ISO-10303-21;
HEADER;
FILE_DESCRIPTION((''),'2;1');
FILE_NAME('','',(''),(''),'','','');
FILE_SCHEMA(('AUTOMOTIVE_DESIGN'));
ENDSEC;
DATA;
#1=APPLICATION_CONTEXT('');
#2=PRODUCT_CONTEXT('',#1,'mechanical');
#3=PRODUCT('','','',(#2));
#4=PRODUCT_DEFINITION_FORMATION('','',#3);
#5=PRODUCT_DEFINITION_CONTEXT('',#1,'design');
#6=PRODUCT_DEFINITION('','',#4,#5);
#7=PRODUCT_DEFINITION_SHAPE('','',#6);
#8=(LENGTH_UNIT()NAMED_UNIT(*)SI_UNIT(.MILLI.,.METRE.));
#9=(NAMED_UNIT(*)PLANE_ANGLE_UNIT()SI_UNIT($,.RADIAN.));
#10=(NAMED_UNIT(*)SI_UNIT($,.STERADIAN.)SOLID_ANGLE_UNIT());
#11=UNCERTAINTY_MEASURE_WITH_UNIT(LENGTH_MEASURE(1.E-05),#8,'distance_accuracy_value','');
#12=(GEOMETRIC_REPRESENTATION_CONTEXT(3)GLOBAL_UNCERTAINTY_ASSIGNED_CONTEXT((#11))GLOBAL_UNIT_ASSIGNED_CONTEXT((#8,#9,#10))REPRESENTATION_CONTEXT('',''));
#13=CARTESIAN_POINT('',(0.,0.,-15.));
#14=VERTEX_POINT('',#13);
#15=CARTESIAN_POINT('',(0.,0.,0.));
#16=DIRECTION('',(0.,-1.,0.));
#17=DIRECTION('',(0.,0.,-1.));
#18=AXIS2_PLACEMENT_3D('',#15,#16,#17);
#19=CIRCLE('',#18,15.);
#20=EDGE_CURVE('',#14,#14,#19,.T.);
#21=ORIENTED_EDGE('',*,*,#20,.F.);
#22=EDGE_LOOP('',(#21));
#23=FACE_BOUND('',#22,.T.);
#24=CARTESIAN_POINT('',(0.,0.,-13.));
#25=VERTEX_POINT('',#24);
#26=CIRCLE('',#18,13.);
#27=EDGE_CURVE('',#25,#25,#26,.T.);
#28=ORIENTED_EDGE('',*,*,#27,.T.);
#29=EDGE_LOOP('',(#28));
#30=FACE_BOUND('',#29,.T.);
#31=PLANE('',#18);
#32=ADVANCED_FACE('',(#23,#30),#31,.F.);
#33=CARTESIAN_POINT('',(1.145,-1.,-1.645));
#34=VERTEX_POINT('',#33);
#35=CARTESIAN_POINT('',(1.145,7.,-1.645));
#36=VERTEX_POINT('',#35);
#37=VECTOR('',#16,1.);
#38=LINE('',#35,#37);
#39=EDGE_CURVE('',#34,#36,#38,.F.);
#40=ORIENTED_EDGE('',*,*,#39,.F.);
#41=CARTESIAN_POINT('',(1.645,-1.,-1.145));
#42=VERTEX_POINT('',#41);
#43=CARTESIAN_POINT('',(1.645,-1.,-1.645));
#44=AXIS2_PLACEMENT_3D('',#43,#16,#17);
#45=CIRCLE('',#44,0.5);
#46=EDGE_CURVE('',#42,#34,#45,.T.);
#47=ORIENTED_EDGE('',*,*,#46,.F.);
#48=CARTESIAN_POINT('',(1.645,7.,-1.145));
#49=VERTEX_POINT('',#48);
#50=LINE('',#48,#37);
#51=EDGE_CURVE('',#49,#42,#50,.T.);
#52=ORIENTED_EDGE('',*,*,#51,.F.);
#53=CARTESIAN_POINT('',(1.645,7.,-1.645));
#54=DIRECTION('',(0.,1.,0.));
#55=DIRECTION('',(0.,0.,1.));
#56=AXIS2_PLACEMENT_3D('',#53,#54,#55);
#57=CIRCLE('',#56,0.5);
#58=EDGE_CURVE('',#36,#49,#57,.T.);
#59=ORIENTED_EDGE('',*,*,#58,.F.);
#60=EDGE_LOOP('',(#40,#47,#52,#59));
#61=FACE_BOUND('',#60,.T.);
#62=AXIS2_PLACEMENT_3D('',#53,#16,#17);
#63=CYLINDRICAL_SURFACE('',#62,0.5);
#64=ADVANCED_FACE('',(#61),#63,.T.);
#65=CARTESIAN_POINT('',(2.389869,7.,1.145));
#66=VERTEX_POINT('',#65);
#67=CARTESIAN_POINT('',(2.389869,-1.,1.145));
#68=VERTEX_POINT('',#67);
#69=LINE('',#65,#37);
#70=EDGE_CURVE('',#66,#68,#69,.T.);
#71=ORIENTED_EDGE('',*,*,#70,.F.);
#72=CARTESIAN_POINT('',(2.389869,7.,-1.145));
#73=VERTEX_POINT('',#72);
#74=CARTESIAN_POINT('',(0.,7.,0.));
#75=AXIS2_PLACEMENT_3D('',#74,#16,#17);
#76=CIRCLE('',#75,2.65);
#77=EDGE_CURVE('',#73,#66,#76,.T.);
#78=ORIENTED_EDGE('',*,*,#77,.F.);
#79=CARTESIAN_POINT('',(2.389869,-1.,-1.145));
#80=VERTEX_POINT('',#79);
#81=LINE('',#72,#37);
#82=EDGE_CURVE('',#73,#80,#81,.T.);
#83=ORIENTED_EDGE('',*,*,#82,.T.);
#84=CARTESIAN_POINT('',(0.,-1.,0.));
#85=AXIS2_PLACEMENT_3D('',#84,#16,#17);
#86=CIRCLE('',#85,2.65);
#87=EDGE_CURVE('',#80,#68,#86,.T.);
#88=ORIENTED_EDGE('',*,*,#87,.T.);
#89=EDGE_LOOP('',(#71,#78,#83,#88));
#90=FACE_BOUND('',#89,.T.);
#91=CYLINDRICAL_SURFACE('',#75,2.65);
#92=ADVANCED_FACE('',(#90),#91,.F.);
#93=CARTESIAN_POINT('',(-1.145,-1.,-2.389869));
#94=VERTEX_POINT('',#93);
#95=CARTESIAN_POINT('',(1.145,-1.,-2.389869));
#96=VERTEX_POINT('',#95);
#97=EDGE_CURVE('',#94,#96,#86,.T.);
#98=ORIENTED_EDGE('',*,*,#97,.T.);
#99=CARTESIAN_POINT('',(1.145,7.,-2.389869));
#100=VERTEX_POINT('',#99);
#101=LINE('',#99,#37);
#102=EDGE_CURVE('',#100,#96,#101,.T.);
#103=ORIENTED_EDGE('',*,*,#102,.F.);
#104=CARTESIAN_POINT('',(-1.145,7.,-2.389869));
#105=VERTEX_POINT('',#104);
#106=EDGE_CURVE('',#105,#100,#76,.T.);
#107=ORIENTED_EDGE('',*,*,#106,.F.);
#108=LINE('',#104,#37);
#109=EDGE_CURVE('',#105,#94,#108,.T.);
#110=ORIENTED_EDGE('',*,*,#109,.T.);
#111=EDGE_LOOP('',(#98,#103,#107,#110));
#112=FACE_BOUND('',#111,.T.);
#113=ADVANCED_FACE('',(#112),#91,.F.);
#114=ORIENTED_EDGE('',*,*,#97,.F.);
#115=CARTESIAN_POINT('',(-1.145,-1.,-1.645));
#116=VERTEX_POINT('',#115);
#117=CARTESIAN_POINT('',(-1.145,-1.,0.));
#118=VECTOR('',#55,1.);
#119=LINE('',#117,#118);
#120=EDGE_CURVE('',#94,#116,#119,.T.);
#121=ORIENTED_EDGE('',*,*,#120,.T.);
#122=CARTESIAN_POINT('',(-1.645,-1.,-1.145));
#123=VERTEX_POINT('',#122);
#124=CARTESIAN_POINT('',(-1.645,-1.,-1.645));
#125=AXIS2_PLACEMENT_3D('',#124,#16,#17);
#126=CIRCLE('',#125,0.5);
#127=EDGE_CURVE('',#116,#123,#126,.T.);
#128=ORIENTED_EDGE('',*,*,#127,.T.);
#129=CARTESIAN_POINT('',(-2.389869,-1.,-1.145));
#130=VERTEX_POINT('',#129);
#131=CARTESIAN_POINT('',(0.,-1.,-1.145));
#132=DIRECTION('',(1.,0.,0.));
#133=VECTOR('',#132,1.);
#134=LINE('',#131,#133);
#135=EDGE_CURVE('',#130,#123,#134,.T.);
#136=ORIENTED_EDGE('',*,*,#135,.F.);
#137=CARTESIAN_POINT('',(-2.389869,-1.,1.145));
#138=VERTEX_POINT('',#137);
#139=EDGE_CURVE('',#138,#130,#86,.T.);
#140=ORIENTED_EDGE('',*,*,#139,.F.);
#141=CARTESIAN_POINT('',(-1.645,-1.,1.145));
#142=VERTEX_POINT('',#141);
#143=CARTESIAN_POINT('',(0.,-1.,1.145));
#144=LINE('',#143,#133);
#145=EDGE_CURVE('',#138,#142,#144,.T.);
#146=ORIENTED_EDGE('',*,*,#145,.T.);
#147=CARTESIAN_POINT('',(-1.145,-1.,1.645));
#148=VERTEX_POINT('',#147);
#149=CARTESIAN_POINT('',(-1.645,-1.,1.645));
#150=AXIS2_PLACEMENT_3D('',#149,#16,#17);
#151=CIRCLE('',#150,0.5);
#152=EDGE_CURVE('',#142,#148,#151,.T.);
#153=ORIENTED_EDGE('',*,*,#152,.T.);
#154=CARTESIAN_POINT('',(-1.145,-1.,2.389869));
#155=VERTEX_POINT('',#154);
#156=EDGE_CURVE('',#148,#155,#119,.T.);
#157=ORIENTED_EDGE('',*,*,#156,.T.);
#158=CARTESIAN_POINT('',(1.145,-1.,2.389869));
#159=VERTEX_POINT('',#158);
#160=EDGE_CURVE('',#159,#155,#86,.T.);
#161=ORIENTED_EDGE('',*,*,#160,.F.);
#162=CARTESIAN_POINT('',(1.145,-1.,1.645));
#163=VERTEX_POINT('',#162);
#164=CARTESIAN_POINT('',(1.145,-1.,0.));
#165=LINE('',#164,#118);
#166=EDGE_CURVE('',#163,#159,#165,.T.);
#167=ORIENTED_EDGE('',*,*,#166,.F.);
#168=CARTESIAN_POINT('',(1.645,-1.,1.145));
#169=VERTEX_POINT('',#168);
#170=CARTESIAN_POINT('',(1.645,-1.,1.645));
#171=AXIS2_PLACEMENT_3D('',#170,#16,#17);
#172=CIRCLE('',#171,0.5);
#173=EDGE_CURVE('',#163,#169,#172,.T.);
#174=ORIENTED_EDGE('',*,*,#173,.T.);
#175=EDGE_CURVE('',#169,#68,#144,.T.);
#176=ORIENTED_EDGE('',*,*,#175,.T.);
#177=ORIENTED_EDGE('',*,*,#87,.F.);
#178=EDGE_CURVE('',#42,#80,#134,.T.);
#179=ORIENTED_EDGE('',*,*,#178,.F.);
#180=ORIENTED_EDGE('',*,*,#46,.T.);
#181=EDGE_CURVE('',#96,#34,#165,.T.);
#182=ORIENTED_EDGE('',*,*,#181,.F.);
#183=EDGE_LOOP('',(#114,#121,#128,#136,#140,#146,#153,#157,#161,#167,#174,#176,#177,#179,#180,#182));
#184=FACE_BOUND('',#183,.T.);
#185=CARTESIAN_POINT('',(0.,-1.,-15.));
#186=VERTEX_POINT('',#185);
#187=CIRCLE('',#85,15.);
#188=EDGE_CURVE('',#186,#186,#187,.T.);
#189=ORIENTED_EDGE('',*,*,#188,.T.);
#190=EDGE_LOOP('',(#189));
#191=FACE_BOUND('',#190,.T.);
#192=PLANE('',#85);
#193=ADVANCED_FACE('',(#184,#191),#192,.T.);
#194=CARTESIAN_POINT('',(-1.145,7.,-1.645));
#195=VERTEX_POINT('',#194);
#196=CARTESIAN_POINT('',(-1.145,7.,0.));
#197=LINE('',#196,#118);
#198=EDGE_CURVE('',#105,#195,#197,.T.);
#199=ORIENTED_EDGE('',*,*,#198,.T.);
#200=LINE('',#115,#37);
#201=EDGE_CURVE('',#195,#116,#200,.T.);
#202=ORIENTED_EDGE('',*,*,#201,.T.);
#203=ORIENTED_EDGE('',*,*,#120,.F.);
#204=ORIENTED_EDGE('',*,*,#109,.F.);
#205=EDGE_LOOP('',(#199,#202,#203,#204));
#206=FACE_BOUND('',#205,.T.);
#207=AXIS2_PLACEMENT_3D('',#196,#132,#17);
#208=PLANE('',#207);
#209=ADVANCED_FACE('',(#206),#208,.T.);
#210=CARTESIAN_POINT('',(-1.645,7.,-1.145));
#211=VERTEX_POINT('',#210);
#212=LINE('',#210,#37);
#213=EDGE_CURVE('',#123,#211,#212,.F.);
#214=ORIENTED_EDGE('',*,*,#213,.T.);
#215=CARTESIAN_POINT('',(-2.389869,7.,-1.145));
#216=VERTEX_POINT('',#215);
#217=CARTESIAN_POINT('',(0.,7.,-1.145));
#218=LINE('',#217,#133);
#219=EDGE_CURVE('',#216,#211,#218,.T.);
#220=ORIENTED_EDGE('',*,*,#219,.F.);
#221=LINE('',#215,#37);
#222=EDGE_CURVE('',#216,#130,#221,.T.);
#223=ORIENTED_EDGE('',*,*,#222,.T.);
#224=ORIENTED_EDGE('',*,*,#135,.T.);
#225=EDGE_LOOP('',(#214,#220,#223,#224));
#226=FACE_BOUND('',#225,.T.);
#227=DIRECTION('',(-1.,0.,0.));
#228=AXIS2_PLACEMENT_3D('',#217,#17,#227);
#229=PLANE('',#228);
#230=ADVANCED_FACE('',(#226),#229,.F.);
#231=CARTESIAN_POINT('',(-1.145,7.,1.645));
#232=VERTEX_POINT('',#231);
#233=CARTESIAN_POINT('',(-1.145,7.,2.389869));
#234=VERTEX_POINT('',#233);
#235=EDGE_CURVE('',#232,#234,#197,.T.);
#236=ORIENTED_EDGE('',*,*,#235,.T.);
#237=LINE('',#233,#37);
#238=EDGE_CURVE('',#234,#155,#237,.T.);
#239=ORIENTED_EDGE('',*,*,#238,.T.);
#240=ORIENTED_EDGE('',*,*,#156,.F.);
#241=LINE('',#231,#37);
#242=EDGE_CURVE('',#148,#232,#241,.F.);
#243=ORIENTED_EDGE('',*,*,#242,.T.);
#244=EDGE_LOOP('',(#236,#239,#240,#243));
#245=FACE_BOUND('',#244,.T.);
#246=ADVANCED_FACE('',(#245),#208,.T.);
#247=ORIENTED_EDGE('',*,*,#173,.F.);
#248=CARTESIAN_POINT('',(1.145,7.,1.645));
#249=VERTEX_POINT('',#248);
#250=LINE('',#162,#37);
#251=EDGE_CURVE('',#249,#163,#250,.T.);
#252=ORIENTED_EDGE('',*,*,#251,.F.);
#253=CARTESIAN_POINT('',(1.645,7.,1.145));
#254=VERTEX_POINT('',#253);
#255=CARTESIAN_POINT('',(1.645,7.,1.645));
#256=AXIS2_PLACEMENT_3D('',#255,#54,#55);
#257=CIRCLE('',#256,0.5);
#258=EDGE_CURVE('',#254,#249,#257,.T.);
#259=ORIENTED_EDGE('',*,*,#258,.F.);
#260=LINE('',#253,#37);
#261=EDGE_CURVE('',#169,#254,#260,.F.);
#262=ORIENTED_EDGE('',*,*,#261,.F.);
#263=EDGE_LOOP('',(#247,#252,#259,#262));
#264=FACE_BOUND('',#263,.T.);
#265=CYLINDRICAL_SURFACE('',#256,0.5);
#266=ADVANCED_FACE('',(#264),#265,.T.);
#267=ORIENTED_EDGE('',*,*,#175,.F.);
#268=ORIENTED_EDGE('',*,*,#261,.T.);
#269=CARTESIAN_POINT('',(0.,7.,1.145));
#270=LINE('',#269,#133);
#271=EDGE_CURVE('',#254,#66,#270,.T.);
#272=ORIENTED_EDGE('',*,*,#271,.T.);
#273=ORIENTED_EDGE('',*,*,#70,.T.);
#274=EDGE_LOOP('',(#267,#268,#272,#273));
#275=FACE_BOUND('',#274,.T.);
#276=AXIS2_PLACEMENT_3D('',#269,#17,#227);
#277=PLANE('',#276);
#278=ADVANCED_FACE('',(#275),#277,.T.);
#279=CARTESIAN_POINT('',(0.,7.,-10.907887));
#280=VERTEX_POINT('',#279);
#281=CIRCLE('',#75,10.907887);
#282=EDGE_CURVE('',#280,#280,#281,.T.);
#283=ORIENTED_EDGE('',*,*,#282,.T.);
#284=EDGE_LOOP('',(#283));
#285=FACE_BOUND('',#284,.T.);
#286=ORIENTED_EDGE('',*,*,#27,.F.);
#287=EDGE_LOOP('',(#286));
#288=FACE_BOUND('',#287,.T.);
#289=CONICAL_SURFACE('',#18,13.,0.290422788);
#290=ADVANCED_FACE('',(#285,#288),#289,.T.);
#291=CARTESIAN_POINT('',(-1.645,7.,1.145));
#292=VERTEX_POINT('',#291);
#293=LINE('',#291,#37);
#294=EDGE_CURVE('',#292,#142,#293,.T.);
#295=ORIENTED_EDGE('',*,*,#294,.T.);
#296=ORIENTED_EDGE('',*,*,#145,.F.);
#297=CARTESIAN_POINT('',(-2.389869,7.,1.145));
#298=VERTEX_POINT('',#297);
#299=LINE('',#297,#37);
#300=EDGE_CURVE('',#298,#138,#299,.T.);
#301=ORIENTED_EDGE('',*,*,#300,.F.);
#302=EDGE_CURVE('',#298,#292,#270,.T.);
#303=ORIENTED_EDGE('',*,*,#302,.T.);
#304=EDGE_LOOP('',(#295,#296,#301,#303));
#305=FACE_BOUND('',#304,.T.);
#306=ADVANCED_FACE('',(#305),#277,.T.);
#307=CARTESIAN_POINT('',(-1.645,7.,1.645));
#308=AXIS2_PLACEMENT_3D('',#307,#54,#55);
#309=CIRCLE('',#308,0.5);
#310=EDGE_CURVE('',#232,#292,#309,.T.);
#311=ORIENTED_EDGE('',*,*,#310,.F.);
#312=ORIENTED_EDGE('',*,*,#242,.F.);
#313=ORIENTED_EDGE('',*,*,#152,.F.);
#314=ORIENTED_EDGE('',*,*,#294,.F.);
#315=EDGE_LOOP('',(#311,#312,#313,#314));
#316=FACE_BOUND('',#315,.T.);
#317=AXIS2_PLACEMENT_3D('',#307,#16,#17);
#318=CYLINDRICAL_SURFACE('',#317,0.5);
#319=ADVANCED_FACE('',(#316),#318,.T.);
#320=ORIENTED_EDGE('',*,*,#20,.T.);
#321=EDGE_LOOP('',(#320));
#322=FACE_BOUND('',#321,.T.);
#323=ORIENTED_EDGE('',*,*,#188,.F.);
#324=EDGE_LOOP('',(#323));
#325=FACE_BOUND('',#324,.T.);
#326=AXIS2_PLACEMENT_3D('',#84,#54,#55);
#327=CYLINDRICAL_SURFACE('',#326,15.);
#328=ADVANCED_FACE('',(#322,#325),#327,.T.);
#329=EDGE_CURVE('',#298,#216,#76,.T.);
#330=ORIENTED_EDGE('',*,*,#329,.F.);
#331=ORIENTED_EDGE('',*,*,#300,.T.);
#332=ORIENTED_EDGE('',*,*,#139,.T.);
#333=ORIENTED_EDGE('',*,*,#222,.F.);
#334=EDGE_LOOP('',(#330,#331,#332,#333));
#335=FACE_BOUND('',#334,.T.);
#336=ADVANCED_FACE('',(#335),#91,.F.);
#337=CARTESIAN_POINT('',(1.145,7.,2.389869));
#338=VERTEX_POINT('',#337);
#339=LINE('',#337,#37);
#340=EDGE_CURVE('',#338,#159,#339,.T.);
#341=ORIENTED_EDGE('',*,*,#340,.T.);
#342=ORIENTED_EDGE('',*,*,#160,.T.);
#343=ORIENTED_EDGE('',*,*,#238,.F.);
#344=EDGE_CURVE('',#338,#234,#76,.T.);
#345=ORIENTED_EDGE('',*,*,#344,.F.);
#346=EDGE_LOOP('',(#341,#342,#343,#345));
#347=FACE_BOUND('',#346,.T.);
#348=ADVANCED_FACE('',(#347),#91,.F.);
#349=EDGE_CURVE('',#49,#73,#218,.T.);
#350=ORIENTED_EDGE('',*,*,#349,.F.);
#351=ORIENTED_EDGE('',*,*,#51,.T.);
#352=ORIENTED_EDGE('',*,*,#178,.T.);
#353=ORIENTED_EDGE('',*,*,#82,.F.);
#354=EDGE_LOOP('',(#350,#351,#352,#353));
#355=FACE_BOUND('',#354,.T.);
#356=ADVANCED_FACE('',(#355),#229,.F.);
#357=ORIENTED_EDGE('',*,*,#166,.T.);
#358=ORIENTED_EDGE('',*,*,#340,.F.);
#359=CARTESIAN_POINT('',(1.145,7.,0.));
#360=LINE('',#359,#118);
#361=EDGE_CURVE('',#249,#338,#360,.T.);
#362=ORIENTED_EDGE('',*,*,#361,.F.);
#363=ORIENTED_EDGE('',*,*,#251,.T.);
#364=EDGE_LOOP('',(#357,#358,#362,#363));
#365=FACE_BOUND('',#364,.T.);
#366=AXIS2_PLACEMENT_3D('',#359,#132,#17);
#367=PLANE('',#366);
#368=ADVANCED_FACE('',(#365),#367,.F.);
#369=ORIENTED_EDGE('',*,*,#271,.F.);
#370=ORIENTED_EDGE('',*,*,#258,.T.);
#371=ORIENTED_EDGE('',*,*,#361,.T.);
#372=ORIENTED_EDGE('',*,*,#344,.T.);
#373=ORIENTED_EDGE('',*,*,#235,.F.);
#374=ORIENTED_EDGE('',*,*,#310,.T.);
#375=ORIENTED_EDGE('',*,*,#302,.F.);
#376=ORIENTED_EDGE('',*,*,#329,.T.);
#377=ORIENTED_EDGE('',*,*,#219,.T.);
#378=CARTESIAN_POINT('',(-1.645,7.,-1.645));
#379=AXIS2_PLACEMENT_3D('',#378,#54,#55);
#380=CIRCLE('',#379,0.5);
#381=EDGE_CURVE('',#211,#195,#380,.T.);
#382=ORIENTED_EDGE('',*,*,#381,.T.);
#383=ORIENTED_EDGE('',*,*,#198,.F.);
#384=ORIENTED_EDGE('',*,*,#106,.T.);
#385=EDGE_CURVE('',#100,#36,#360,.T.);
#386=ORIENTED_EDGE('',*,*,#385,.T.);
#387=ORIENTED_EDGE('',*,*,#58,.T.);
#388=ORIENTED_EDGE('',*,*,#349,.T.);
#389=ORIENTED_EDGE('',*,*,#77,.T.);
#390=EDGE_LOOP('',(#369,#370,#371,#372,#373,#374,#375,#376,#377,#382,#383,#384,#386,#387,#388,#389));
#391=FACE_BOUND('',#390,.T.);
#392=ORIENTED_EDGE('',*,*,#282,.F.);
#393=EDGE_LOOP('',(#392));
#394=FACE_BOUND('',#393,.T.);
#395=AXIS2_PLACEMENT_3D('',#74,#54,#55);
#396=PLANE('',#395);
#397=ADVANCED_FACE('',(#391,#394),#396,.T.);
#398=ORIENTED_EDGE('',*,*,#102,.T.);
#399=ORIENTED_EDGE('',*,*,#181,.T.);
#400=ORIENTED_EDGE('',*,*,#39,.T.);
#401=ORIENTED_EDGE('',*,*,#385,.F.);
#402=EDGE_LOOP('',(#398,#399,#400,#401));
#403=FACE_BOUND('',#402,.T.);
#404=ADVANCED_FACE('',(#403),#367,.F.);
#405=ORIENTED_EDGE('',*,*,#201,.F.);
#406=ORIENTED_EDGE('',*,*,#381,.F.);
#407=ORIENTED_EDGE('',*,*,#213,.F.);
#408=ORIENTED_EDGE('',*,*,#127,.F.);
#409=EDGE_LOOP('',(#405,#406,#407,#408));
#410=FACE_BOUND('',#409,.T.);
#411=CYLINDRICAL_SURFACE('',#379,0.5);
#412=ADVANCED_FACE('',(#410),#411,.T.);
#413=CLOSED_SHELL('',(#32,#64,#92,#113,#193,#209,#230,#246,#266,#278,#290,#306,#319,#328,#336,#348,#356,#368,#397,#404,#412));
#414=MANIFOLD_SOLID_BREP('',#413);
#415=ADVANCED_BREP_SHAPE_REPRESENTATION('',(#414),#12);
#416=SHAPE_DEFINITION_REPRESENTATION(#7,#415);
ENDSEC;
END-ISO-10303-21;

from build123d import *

# Parameters (mm, degrees)
SKETCH1_R           = 13
BOSS_EXTRUDE1_DEPTH = 7
SKETCH3_R           = 15
BOSS_EXTRUDE2_DEPTH = 1
SKETCH4_W           = 2.29
SKETCH4_H           = 2.29
CUT_EXTRUDE1_DEPTH  = 23.671568098
FILLET1_R           = 0.5


with BuildPart() as part:
    # Sketch1 → Boss-Extrude1 (new body)
    with BuildSketch(Plane(origin=(0, 0, 0), x_dir=(1, 0, 0), z_dir=(0, 1, 0))):
        with Locations(Location((0, 0, 0), (0, 0, 270))):
            Circle(SKETCH1_R)
    extrude(amount=BOSS_EXTRUDE1_DEPTH)

    # Sketch2 → Cut-Revolve1 (revolve, cut)
    with BuildSketch(Plane(origin=(0, 0, 0), x_dir=(0, 0, -1), z_dir=(1, 0, 0)), mode=Mode.PRIVATE) as cut_revolve1_sk:
        Polygon((-13, 0), (-10.907887029, 7), (-13, 7), align=None)
    revolve(cut_revolve1_sk.sketch.rotate(Axis((0, 0, 0), (0, 1, 0)), 180), axis=Axis((0, 0, 0), (0, 1, 0)), mode=Mode.SUBTRACT)

    # Sketch3 → Boss-Extrude2 (add)
    with BuildSketch(Plane(origin=(0, 0, 0), x_dir=(-1, 0, 0), z_dir=(0, -1, 0))):
        with Locations(Location((0, 0, 0), (0, 0, 90))):
            Circle(SKETCH3_R)
    extrude(amount=BOSS_EXTRUDE2_DEPTH)

    # Sketch4 → Cut-Extrude1 (cut, through all)
    with BuildSketch(Plane.XZ.offset(1)):
        Rectangle(SKETCH4_W, SKETCH4_H)
        with BuildLine():
            Line((-2.389869243, -1.145), (-1.145, -1.145))
            Line((-1.145, -1.145), (-1.145, 1.145))
            Line((-1.145, 1.145), (-2.389869243, 1.145))
            ThreePointArc((-2.389869243, 1.145), (-2.65, 0), (-2.389869243, -1.145))
        make_face()
        with BuildLine():
            Line((-1.145, 1.145), (1.145, 1.145))
            Line((1.145, 1.145), (1.145, 2.389869243))
            ThreePointArc((1.145, 2.389869243), (0, 2.65), (-1.145, 2.389869243))
            Line((-1.145, 2.389869243), (-1.145, 1.145))
        make_face()
        with BuildLine():
            Line((1.145, 1.145), (1.145, -1.145))
            Line((1.145, -1.145), (2.389869243, -1.145))
            ThreePointArc((2.389869243, -1.145), (2.584149134, -0.587088795), (2.65, 0))
            ThreePointArc((2.65, 0), (2.584149134, 0.587088795), (2.389869243, 1.145))
            Line((2.389869243, 1.145), (1.145, 1.145))
        make_face()
        with BuildLine():
            ThreePointArc((-1.145, -2.389869243), (0, -2.65), (1.145, -2.389869243))
            Line((1.145, -2.389869243), (1.145, -1.145))
            Line((1.145, -1.145), (-1.145, -1.145))
            Line((-1.145, -1.145), (-1.145, -2.389869243))
        make_face()
    extrude(amount=-CUT_EXTRUDE1_DEPTH, mode=Mode.SUBTRACT)

    # Fillet1
    fillet1_edges = [part.edges().sort_by_distance(p)[0] for p in [
        (-1.145, 3, 1.145),
        (1.145, 3, 1.145),
        (1.145, 3, -1.145),
        (-1.145, 3, -1.145),
    ]]
    fillet(fillet1_edges, radius=FILLET1_R)


solid = part.part
